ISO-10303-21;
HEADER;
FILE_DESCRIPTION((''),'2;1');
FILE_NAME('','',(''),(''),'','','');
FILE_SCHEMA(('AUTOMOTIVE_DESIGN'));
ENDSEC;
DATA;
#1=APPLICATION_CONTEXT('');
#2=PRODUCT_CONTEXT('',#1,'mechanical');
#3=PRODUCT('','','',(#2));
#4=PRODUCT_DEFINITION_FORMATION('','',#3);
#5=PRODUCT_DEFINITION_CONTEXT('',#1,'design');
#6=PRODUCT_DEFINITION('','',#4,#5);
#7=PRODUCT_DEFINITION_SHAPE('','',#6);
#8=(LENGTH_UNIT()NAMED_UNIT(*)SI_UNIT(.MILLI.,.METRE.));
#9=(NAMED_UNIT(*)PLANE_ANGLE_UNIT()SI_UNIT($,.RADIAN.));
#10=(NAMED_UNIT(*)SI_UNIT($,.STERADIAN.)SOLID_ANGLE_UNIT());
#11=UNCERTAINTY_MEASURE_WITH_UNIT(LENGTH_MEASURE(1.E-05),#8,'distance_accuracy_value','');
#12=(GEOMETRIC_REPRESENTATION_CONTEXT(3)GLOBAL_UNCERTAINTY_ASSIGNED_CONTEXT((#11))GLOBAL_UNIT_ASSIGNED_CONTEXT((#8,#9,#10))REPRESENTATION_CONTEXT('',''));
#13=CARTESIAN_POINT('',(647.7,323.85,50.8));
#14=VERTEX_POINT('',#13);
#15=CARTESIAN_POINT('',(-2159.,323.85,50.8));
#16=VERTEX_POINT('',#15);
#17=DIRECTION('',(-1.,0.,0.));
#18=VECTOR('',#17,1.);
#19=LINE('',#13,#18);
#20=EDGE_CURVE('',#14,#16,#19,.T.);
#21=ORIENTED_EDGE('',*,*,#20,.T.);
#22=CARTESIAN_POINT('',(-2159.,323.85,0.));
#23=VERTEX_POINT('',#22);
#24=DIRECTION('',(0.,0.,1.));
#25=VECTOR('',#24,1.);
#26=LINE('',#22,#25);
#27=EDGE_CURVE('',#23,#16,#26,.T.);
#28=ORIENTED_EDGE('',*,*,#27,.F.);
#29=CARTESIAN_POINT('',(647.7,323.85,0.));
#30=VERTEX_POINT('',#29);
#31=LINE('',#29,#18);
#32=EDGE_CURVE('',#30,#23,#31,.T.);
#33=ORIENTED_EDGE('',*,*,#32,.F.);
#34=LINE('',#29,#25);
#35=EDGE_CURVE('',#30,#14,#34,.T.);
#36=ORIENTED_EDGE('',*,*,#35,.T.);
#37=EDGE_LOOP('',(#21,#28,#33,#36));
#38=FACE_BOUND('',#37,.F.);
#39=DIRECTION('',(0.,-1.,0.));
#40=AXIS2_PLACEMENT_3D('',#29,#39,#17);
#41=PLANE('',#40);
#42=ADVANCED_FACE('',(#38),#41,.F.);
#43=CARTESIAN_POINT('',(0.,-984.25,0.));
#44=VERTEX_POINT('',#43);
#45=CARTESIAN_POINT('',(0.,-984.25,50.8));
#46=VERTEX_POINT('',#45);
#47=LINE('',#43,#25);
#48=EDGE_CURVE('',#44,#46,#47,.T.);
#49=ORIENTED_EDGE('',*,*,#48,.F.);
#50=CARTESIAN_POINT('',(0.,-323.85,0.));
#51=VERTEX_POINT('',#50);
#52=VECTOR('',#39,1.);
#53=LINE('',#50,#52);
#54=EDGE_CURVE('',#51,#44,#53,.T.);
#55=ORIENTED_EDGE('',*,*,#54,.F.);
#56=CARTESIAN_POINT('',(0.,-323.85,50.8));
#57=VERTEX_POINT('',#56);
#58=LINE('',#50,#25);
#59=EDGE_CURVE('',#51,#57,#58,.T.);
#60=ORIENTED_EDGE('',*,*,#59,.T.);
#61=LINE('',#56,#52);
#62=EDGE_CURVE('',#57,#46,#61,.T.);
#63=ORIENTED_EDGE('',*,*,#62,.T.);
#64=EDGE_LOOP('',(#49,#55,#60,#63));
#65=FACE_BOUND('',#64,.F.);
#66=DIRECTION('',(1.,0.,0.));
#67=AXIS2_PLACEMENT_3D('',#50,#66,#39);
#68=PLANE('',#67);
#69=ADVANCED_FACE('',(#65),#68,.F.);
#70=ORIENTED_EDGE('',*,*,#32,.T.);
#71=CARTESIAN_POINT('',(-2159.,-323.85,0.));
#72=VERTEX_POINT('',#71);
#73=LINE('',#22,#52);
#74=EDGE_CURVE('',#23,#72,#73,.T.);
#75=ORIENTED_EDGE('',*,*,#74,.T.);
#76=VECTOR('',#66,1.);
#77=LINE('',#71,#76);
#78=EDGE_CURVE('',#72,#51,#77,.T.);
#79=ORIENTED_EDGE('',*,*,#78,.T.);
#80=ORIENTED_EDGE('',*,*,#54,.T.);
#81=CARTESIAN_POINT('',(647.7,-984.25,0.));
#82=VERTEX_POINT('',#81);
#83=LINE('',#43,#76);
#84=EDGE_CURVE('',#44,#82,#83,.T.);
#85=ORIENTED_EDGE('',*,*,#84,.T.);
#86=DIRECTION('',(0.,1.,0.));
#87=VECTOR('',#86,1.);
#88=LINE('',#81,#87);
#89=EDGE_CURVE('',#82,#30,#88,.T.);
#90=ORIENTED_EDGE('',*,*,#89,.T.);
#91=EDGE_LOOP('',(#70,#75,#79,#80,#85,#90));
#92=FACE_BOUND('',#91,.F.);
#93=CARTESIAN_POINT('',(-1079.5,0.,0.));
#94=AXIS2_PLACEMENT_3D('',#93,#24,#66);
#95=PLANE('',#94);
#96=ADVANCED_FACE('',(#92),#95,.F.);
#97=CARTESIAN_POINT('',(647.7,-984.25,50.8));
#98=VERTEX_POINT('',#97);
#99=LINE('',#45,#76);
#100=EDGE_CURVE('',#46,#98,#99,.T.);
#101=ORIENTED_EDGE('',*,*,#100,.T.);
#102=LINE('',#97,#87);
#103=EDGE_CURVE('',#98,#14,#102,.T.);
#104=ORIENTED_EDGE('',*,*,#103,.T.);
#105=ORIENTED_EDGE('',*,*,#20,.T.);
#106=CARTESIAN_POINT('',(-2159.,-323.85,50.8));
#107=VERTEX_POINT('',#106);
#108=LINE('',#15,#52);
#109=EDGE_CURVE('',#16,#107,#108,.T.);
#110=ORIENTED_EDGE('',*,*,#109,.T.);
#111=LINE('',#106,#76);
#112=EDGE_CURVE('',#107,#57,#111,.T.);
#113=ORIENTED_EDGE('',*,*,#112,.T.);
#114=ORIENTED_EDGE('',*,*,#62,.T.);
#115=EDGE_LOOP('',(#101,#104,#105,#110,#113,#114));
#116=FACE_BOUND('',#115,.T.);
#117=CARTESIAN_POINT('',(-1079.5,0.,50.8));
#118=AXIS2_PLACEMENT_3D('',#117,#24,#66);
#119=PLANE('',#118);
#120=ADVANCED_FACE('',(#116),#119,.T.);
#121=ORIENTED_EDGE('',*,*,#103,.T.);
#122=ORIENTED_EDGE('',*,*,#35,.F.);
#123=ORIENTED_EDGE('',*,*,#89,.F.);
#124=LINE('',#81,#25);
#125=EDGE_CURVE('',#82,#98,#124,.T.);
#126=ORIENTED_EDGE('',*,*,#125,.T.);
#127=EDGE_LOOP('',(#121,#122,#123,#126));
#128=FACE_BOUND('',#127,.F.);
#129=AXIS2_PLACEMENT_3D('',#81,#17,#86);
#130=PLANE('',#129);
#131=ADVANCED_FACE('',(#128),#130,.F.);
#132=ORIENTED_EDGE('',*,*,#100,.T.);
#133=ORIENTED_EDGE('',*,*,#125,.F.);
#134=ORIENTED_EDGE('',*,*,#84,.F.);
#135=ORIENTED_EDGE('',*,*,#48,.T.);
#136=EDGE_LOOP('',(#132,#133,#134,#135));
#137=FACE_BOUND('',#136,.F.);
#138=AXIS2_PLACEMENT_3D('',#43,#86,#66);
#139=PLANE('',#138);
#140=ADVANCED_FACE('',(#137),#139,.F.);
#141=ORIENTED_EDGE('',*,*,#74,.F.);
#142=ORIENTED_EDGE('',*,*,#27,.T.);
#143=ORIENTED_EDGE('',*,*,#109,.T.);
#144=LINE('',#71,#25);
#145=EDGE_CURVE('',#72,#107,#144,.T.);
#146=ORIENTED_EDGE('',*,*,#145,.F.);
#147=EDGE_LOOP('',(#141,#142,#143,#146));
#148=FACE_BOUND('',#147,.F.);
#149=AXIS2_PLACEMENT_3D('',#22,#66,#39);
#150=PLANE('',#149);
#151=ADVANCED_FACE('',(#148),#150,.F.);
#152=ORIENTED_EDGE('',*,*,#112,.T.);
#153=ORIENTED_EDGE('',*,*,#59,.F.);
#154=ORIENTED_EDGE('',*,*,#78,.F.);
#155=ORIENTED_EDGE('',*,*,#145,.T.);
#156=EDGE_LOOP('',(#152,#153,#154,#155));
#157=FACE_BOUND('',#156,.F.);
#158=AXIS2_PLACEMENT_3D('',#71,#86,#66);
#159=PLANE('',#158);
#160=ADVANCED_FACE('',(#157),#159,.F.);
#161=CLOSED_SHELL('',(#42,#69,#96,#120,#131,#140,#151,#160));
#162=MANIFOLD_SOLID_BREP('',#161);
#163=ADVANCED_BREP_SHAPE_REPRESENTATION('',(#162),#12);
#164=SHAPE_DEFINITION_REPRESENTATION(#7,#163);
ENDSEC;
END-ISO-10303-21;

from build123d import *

# Parameters (mm, degrees)
F1_DEPTH = 50.8


with BuildPart() as f1:
    # F0 (on Top) → F1 (new body)
    with BuildSketch(Plane.XY):
        Polygon((-2159, -323.85), (0, -323.85), (0, 0), (0, 323.85), (-2159, 323.85), align=None)
        Polygon((0, 0), (0, -323.85), (0, -984.25), (647.7, -984.25), (647.7, 323.85), (0, 323.85), align=None)
    extrude(amount=F1_DEPTH)


solid = f1.part
